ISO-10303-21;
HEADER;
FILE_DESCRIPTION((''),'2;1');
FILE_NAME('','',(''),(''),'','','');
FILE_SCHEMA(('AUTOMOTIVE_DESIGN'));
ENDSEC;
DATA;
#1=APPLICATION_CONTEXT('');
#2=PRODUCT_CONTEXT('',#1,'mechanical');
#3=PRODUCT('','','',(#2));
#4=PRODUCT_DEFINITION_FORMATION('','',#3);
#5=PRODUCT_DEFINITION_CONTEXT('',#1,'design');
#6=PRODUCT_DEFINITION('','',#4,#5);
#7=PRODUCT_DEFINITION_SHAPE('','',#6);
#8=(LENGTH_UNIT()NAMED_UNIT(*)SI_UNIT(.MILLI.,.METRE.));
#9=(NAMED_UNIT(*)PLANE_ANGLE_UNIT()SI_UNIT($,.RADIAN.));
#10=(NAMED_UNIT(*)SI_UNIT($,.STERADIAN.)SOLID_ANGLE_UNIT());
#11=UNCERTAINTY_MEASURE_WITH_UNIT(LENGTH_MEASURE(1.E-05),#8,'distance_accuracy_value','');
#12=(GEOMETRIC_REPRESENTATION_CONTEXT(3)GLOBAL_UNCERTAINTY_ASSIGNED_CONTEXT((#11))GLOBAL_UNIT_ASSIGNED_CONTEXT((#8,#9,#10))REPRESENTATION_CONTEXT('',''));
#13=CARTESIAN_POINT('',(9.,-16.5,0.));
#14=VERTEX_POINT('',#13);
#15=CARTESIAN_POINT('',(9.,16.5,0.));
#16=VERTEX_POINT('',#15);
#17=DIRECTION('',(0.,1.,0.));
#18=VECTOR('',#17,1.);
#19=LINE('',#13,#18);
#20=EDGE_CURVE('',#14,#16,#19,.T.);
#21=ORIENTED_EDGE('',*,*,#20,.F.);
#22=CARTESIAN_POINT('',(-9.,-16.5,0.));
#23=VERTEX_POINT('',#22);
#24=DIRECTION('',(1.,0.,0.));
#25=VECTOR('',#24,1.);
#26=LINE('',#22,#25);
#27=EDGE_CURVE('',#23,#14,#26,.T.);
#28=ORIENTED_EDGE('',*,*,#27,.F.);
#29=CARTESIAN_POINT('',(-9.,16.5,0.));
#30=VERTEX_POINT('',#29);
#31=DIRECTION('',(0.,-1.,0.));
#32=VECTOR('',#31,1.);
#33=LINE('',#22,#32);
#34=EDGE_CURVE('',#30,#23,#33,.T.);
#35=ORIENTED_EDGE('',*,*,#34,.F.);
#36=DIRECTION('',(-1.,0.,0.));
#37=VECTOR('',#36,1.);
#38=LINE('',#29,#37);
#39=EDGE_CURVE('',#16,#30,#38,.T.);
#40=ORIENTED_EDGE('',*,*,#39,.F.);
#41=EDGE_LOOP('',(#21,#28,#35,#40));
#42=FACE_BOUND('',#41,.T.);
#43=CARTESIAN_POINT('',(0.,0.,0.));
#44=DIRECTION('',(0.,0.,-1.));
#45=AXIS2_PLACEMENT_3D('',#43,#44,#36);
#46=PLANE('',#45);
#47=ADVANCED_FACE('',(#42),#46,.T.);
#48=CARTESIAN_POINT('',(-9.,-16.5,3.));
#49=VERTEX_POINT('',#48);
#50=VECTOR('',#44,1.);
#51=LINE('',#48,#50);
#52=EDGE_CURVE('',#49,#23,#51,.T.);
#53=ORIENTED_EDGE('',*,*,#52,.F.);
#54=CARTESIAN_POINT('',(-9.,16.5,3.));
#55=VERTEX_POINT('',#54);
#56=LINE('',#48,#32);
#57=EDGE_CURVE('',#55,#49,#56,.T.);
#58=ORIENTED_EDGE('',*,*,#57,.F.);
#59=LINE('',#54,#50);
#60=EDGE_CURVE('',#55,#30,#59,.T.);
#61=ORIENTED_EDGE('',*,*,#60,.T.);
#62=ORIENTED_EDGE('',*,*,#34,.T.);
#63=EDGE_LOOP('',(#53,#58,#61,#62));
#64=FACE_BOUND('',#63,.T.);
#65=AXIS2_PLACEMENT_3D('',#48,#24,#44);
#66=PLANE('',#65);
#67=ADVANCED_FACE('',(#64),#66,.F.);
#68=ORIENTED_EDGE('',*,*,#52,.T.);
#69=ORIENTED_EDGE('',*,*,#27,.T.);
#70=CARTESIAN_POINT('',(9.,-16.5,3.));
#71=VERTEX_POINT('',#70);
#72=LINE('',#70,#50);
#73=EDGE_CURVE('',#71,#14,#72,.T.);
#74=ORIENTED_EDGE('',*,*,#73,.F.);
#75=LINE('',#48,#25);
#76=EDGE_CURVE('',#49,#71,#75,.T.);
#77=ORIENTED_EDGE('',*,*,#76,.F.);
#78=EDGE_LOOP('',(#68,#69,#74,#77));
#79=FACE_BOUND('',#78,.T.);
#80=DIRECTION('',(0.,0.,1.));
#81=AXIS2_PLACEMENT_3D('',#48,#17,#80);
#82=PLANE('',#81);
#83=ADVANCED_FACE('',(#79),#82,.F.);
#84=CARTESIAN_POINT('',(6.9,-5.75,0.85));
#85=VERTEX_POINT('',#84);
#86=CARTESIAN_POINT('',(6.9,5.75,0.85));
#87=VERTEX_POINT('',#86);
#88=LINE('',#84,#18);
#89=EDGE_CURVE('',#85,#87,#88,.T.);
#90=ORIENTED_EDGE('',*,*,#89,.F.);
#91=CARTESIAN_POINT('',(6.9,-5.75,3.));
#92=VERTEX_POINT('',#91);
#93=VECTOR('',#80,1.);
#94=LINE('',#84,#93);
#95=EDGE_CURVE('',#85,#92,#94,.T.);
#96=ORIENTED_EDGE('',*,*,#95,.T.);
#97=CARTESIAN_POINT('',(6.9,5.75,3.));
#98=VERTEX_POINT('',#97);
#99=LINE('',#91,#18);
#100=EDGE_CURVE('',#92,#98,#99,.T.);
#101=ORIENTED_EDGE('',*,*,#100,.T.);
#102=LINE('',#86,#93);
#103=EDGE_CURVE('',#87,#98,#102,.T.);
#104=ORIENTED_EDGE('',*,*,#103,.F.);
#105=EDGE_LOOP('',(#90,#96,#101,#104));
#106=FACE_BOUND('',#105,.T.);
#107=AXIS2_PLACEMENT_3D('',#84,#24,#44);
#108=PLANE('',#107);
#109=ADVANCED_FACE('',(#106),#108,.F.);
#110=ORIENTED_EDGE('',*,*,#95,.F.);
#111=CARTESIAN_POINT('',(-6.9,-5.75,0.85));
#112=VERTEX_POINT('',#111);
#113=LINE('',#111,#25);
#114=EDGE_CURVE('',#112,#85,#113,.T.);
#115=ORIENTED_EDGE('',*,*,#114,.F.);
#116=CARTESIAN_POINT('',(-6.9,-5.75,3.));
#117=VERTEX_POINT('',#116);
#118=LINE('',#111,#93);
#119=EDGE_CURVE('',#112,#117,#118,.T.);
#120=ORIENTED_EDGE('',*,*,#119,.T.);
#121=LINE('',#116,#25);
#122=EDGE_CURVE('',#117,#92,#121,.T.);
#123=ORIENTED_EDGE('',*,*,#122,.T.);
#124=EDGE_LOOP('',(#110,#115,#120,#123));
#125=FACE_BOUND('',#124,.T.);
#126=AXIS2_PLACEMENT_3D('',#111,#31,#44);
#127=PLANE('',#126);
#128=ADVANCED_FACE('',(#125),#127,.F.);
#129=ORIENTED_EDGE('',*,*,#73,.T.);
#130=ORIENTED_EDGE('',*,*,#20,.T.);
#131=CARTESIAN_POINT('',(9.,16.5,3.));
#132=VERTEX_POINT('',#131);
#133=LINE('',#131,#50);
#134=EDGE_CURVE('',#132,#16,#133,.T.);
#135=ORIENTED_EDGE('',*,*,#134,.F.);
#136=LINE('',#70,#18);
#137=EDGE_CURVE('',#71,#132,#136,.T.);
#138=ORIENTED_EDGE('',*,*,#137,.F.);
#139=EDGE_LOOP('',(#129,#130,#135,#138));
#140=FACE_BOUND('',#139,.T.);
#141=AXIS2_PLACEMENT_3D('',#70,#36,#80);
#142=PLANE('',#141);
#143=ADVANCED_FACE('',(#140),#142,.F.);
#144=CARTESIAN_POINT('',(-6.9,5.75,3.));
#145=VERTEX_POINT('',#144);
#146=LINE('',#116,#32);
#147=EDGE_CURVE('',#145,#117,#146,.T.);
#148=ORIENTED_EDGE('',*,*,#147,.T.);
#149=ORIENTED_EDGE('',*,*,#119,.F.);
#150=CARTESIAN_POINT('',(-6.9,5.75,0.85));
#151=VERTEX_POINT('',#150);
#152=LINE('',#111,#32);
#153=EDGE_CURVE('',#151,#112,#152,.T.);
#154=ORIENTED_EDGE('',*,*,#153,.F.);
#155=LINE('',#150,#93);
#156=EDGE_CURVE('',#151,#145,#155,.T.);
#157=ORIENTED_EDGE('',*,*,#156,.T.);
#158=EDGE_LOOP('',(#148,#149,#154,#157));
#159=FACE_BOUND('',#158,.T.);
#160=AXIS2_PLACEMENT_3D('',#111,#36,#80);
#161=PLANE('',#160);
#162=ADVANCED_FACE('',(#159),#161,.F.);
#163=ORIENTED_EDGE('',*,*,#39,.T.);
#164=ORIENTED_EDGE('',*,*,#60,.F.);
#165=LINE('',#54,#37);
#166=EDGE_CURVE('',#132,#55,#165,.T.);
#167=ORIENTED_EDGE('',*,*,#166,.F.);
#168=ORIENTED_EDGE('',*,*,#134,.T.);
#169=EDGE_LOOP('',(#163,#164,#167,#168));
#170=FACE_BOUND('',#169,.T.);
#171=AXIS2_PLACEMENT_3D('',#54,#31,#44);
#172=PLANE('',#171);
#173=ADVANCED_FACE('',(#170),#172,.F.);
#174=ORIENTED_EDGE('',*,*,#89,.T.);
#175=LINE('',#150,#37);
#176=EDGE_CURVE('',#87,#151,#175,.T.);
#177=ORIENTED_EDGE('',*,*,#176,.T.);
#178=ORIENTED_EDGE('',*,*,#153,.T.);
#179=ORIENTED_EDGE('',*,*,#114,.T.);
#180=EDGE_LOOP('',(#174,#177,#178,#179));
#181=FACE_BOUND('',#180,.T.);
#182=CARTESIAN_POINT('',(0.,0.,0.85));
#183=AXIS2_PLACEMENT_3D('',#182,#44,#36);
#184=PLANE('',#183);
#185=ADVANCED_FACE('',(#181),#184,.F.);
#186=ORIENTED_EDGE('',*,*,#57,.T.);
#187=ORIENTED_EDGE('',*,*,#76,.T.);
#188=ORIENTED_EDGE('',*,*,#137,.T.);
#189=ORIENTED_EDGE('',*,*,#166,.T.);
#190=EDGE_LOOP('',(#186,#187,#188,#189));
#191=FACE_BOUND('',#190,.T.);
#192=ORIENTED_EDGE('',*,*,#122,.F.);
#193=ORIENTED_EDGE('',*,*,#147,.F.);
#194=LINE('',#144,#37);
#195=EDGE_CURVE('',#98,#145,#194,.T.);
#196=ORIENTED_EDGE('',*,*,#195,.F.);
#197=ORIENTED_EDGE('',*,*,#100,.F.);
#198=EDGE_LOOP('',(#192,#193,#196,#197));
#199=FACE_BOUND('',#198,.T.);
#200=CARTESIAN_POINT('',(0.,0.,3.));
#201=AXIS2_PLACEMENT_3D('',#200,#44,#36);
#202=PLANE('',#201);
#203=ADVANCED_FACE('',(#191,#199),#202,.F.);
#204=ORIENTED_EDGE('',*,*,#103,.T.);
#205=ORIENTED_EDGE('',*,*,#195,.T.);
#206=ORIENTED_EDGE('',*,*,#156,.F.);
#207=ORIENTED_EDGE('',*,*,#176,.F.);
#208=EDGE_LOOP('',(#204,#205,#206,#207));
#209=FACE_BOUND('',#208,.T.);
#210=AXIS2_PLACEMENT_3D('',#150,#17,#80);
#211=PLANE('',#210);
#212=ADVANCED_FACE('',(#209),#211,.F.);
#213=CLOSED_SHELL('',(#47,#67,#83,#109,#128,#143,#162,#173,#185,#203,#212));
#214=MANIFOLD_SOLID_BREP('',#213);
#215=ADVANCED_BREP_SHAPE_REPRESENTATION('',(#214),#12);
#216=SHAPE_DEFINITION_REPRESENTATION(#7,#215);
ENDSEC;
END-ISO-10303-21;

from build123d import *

# Parameters (mm, degrees)
SKETCH_1_W          = 18
SKETCH_1_H          = 33
EXTRUDE_1_DEPTH     = 3
SKETCH_2_W          = 13.8
SKETCH_2_H          = 11.5
CUT_EXTRUDE_1_DEPTH = 2.15


with BuildPart() as part:
    # 스케치1 → 보스-돌출1 (new body)
    with BuildSketch(Plane.XY):
        Rectangle(SKETCH_1_W, SKETCH_1_H)
    extrude(amount=EXTRUDE_1_DEPTH)

    # 스케치2 → 컷-돌출1 (cut)
    with BuildSketch(Plane.XY.offset(3)):
        Rectangle(SKETCH_2_W, SKETCH_2_H)
    extrude(amount=-CUT_EXTRUDE_1_DEPTH, mode=Mode.SUBTRACT)


solid = part.part
